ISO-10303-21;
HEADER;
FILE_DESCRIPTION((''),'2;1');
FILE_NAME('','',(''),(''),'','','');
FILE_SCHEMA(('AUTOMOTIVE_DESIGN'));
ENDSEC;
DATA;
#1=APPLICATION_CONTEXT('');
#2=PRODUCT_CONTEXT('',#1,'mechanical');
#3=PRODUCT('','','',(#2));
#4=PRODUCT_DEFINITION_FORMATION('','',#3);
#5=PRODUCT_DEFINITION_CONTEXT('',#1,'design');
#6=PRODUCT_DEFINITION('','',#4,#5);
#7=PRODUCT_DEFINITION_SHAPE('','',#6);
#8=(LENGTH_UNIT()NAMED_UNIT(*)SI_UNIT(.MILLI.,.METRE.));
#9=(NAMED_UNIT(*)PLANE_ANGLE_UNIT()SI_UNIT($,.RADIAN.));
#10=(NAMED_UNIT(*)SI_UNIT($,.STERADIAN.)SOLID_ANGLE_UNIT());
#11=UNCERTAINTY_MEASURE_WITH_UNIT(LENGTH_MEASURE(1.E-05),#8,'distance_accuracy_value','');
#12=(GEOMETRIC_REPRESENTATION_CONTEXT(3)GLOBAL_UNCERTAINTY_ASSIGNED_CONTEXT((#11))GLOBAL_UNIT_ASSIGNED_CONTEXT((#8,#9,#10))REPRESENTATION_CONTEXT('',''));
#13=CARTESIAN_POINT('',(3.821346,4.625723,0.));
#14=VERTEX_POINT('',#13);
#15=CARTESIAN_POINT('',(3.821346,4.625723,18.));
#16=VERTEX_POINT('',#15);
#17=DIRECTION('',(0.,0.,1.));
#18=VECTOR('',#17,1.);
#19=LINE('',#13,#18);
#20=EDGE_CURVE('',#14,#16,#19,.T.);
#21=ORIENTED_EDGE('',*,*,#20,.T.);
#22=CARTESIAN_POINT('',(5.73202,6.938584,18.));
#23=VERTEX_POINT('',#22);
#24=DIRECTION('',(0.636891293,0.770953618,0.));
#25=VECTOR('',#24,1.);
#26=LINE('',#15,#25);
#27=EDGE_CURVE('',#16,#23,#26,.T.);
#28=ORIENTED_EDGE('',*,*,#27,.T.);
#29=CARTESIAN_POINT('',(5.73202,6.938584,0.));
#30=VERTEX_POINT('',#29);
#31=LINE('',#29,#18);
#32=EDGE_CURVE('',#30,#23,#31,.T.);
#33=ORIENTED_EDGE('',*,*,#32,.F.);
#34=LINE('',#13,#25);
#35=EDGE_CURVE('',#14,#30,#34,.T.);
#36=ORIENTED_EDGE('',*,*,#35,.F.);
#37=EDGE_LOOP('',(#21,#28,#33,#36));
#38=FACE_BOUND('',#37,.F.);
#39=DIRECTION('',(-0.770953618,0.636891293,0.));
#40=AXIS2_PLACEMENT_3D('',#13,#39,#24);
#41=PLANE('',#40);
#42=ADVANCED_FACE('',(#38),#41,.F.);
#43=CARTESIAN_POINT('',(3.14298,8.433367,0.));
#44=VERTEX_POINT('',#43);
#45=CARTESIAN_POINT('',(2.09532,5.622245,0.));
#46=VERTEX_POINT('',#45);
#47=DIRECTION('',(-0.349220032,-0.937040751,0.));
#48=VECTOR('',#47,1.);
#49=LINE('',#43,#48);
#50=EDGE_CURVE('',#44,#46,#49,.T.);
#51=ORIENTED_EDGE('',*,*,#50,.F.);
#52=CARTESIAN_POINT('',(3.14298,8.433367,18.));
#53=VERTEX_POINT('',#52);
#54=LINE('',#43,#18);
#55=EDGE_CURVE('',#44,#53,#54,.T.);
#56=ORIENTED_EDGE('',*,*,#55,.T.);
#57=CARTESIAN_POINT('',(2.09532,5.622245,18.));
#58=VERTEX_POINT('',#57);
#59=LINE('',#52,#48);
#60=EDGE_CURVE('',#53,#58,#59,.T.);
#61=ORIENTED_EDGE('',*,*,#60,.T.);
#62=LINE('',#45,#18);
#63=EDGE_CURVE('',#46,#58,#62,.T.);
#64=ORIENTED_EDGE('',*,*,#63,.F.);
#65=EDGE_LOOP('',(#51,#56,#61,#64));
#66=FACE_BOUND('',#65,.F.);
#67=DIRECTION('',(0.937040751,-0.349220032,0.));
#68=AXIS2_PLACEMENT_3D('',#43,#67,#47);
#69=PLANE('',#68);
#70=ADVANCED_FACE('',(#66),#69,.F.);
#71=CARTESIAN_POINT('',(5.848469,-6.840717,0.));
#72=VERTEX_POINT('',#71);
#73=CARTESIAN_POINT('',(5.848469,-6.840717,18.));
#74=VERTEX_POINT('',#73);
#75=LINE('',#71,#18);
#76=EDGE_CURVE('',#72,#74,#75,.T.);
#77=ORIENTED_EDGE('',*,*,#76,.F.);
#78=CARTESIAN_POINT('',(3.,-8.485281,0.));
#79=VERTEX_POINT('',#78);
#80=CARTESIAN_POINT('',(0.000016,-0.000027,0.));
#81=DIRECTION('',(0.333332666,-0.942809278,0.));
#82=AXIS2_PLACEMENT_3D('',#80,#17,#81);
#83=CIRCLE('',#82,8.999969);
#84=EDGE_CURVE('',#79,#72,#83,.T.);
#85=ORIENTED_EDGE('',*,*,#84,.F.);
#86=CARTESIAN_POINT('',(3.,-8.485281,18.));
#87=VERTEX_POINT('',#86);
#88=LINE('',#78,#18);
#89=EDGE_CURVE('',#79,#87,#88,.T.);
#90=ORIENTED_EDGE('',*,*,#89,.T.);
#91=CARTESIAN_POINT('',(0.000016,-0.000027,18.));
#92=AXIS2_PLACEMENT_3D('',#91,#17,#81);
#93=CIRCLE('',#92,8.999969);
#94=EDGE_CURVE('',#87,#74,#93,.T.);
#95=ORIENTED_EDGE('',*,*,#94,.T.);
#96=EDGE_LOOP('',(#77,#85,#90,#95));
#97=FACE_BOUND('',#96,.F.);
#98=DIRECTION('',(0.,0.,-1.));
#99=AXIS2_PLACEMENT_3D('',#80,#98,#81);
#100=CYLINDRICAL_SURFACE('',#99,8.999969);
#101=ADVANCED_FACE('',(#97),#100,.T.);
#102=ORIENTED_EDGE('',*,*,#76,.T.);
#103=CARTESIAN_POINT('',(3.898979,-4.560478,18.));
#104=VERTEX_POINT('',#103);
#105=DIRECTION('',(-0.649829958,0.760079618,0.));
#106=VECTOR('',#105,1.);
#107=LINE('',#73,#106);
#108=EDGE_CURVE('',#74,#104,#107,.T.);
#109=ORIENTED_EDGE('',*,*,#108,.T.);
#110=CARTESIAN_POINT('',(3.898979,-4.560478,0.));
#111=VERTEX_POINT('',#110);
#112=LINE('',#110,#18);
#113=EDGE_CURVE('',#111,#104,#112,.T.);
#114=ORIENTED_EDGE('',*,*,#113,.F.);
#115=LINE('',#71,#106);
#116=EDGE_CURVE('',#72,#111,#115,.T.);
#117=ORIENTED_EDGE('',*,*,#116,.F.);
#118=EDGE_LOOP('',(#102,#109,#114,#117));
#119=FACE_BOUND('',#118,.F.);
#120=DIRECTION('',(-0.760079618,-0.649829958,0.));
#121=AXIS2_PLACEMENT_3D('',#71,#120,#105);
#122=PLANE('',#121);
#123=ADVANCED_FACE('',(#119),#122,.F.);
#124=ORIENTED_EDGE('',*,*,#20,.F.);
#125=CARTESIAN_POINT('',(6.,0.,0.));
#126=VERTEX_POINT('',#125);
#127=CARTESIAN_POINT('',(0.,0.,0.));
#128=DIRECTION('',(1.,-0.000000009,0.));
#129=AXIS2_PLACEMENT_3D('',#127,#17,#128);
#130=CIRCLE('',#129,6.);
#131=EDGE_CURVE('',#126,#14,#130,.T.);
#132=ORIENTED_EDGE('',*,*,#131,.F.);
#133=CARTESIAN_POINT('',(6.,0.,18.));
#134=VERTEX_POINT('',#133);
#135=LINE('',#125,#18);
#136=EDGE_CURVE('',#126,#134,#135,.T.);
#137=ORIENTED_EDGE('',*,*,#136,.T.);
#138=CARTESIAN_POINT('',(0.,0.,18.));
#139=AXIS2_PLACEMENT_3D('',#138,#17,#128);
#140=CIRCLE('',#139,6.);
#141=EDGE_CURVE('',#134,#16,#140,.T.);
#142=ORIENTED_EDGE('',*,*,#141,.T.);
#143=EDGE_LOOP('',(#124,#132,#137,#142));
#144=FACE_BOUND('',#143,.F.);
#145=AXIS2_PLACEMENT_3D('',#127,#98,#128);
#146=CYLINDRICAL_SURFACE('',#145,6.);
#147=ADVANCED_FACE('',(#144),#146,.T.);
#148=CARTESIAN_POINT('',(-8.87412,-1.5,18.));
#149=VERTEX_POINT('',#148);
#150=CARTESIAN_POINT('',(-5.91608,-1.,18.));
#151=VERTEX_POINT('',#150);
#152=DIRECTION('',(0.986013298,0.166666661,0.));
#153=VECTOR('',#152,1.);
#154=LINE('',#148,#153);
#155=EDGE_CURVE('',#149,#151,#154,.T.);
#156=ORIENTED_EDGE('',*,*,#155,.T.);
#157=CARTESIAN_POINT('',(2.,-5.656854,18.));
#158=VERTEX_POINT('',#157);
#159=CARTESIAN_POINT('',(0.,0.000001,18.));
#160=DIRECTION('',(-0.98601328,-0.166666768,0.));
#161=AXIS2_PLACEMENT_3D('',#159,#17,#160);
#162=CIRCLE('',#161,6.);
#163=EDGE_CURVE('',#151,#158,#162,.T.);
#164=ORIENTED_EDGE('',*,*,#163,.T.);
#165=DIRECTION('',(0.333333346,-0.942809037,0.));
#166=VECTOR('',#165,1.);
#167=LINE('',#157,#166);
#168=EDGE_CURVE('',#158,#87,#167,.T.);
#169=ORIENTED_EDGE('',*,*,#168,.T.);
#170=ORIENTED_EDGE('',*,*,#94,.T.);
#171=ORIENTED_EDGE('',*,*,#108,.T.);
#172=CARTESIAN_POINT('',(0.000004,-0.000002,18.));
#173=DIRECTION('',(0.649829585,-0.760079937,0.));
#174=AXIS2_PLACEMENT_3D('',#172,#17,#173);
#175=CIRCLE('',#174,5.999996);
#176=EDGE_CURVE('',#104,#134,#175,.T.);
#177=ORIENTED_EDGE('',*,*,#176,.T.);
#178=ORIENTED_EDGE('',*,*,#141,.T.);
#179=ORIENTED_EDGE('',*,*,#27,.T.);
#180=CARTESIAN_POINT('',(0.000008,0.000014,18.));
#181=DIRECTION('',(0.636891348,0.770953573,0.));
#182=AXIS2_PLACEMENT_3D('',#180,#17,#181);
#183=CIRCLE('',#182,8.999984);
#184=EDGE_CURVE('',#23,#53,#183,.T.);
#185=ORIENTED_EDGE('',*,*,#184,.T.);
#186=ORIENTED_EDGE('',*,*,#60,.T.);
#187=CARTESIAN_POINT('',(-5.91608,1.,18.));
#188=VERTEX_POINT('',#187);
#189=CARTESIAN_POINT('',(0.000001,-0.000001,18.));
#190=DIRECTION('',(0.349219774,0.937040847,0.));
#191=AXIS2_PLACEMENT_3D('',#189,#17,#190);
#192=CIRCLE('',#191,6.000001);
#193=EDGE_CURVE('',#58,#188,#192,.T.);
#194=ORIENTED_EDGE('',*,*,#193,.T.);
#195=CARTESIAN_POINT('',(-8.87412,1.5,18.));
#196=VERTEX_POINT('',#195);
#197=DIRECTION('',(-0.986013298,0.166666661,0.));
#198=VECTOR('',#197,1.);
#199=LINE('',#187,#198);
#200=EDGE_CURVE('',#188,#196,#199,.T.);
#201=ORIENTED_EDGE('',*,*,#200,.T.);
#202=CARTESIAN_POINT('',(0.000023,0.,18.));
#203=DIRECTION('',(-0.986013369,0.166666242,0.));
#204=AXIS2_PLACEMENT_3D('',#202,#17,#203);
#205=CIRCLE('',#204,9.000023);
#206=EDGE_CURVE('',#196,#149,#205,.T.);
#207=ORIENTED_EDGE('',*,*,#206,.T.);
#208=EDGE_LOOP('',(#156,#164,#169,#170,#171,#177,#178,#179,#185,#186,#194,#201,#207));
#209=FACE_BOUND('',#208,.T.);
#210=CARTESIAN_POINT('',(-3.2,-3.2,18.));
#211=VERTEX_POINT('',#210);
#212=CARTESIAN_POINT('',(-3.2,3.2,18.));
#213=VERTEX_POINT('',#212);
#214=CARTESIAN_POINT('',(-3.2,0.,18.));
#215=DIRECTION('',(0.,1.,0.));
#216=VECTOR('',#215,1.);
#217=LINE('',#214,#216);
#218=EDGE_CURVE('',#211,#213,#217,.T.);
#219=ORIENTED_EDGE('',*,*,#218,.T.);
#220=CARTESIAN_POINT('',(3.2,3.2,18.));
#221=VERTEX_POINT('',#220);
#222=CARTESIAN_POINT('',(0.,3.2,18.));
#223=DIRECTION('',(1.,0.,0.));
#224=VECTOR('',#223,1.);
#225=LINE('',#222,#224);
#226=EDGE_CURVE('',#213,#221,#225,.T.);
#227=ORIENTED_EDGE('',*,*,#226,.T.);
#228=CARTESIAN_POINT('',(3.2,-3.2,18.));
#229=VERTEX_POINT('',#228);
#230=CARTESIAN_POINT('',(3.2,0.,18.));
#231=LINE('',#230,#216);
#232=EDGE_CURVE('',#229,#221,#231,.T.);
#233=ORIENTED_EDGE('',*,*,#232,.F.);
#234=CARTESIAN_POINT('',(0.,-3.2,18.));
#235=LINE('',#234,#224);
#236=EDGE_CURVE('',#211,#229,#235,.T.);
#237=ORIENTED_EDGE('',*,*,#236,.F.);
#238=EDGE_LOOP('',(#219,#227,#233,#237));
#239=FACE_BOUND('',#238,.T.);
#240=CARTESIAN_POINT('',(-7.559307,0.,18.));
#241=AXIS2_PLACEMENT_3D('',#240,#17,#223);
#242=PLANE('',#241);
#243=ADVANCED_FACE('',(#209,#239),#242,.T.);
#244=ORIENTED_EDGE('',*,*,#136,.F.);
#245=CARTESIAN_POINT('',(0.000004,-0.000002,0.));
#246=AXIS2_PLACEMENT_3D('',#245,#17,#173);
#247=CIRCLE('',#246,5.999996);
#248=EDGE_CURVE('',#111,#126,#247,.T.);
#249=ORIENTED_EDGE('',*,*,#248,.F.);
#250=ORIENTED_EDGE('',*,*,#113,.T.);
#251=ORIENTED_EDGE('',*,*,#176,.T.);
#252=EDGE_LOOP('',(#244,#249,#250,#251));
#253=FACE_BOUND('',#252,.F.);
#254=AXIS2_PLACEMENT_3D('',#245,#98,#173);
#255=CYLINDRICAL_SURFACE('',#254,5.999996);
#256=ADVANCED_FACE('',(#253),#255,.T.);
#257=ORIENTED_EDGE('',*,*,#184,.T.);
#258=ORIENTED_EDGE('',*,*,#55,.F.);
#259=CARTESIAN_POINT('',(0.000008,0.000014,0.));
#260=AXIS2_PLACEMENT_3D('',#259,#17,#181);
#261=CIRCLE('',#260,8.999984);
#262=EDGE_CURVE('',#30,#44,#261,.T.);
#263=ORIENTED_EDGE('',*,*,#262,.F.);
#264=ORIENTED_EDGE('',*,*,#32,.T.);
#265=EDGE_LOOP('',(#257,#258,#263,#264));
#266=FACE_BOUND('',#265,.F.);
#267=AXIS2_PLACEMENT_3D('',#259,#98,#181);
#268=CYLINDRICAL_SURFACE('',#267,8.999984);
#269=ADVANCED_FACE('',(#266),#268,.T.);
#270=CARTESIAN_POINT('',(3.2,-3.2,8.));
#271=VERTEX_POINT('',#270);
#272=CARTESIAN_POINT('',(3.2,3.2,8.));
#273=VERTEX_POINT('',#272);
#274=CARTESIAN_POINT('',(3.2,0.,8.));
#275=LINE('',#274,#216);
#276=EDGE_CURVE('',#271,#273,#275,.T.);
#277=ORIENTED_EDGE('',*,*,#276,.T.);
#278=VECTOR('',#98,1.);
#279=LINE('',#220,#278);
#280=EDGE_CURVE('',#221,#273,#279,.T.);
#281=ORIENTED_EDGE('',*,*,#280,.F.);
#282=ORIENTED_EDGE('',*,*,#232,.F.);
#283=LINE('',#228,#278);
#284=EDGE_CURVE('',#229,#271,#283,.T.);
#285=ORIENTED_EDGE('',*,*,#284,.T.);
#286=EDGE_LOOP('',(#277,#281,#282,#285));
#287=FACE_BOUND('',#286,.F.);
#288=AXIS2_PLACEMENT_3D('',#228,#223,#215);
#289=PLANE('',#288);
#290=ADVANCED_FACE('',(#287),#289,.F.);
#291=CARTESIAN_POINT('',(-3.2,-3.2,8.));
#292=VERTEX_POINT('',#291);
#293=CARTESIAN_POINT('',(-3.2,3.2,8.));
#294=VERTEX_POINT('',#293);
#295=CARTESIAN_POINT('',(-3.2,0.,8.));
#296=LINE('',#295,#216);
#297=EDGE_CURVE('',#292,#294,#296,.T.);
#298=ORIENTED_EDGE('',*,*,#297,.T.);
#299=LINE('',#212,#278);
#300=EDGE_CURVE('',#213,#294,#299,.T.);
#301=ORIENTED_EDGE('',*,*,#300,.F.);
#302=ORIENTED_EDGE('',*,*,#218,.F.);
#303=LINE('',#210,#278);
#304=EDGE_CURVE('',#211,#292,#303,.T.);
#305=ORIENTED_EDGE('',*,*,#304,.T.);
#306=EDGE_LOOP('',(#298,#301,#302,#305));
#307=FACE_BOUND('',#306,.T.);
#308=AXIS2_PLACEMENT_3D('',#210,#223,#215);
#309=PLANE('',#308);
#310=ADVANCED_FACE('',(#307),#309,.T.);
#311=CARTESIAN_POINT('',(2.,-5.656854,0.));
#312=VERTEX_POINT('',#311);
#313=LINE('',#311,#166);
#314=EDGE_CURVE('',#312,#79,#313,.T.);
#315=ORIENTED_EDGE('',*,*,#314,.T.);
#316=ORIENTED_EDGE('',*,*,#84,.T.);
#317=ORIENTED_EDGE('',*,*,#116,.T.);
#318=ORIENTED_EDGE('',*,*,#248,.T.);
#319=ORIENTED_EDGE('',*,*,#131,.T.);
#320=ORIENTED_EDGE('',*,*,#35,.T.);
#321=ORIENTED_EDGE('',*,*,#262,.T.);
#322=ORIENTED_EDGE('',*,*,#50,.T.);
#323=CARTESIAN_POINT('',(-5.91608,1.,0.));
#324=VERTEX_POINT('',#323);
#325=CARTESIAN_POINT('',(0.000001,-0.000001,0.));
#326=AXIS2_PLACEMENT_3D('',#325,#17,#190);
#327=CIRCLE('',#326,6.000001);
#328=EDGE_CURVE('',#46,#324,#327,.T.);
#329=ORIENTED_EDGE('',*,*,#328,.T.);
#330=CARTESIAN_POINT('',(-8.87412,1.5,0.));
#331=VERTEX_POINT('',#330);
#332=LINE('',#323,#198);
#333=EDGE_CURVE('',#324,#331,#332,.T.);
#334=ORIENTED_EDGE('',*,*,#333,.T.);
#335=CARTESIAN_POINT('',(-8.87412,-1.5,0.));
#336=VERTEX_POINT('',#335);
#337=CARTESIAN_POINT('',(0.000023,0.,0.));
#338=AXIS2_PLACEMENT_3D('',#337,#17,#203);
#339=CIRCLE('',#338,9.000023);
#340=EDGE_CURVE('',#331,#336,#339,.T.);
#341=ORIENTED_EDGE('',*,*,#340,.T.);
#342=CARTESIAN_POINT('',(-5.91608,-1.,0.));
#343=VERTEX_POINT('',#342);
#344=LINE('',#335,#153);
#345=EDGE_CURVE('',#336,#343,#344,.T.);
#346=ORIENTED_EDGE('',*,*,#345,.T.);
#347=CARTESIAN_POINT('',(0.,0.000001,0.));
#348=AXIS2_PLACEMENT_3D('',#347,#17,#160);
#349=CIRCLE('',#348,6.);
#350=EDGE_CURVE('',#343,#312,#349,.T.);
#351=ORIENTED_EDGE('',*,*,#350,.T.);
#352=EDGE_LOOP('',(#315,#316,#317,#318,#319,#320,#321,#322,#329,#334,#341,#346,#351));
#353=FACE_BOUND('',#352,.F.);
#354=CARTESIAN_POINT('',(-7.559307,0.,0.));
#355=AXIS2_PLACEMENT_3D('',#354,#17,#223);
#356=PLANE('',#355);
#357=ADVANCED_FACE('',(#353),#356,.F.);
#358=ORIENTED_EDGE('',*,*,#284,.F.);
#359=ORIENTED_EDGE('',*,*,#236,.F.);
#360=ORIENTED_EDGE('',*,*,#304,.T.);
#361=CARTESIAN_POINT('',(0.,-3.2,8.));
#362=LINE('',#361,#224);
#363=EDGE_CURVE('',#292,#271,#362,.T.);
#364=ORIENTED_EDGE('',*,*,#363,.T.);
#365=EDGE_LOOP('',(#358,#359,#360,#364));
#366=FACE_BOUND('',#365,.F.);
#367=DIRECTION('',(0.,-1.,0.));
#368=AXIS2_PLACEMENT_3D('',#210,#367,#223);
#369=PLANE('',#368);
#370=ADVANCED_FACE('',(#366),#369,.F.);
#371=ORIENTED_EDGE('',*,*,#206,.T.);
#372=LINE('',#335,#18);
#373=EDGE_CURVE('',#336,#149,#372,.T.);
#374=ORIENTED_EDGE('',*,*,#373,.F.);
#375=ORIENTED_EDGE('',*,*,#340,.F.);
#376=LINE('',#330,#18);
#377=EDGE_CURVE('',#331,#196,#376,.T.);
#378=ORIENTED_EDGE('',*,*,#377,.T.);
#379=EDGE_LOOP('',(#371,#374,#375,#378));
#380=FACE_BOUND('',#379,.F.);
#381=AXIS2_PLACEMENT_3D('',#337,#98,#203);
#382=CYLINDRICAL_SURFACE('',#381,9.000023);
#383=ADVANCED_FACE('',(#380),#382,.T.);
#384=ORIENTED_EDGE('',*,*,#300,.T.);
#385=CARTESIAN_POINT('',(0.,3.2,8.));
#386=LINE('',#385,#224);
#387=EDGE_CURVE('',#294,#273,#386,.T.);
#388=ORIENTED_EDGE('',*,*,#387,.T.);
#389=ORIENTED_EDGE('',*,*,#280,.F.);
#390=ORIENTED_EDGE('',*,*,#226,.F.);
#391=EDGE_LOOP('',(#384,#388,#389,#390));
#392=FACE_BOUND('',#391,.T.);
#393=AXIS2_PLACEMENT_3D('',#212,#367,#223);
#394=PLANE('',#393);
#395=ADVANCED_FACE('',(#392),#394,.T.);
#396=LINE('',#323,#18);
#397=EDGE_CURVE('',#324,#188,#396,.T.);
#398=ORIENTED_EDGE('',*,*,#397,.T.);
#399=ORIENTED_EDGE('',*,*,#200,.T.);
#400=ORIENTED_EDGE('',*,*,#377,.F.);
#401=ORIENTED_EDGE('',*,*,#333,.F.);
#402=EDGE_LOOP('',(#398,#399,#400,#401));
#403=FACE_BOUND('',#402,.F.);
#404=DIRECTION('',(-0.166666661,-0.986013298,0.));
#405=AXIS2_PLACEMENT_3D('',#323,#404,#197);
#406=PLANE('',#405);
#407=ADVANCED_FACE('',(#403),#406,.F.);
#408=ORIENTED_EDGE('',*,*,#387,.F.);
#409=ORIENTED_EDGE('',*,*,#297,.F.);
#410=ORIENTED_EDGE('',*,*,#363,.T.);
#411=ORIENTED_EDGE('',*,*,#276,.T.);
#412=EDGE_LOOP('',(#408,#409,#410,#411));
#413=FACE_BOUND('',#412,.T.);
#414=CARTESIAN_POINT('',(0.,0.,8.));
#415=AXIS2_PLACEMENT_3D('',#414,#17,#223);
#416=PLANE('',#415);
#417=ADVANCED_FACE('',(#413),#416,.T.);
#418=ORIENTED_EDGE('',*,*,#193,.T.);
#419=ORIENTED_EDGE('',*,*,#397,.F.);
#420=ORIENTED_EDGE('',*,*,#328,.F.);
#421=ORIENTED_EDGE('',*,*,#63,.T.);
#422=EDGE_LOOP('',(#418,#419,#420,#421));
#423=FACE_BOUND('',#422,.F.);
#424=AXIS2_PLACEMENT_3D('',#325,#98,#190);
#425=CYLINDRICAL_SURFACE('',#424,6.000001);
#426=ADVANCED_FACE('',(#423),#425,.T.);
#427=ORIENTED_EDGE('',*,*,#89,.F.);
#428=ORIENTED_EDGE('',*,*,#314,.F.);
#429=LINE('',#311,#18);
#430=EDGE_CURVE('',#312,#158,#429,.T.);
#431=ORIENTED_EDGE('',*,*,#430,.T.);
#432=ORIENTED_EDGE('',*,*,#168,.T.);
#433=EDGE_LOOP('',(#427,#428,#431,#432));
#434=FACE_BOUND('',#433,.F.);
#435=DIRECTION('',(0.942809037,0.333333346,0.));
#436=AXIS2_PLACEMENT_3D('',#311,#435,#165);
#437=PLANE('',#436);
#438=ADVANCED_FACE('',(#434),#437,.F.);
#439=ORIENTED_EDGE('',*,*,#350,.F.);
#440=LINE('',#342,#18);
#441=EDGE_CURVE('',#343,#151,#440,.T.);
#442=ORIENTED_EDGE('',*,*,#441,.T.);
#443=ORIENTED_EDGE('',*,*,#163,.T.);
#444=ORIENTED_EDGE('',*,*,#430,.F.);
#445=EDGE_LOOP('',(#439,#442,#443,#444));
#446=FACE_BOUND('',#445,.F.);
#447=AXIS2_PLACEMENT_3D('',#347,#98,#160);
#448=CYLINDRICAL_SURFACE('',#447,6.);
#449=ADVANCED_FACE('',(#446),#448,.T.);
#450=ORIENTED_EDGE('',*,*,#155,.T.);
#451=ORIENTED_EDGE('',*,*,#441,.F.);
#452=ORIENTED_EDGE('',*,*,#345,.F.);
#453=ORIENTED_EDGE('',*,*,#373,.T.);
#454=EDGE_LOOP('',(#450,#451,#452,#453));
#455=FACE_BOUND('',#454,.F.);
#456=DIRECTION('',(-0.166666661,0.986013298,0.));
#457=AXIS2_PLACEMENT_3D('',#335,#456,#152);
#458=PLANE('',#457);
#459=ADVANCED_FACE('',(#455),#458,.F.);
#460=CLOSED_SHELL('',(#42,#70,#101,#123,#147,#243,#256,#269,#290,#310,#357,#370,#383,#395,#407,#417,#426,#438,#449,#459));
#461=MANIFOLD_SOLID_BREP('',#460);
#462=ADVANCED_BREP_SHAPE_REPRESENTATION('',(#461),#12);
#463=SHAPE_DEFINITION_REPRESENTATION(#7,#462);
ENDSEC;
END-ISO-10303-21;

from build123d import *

# Parameters (mm, degrees)
F1_DEPTH = 18
F2_W     = 6.4
F2_H     = 6.4
F3_DEPTH = 10


with BuildPart() as f1:
    # F0 (on Top) → F1 (new body)
    with BuildSketch(Plane.XY):
        with BuildLine():
            Line((-5.91608, 1), (-8.87412, 1.5))
            ThreePointArc((-8.87412, 1.5), (-9, 0), (-8.87412, -1.5))
            Line((-8.87412, -1.5), (-5.91608, -1))
            ThreePointArc((-5.91608, -1), (-6, 0), (-5.91608, 1))
        make_face()
        with BuildLine():
            ThreePointArc((6, 0), (5.428079, 2.556552), (3.821346, 4.625723))
            ThreePointArc((3.821346, 4.625723), (3, 5.196152), (2.09532, 5.622245))
            ThreePointArc((2.09532, 5.622245), (-2.998472, 5.197034), (-5.91608, 1))
            ThreePointArc((-5.91608, 1), (-6, 0), (-5.91608, -1))
            ThreePointArc((-5.91608, -1), (-3.042284, -5.171509), (2, -5.656854))
            ThreePointArc((2, -5.656854), (3, -5.196152), (3.898979, -4.560478))
            ThreePointArc((3.898979, -4.560478), (5.44949, -2.51059), (6, 0))
        make_face()
        with BuildLine():
            Line((3.821346, 4.625723), (5.73202, 6.938584))
            ThreePointArc((5.73202, 6.938584), (4.5, 7.794229), (3.14298, 8.433367))
            Line((3.14298, 8.433367), (2.09532, 5.622245))
            ThreePointArc((2.09532, 5.622245), (3, 5.196152), (3.821346, 4.625723))
        make_face()
        with BuildLine():
            ThreePointArc((3, -8.485281), (4.5, -7.794229), (5.848469, -6.840717))
            Line((5.848469, -6.840717), (3.898979, -4.560478))
            ThreePointArc((3.898979, -4.560478), (3, -5.196152), (2, -5.656854))
            Line((2, -5.656854), (3, -8.485281))
        make_face()
    extrude(amount=F1_DEPTH)

    # F2 (on face) → F3 (cut)
    with BuildSketch(Plane.XY.offset(18)):
        Rectangle(F2_W, F2_H)
    extrude(amount=-F3_DEPTH, mode=Mode.SUBTRACT)


solid = f1.part
